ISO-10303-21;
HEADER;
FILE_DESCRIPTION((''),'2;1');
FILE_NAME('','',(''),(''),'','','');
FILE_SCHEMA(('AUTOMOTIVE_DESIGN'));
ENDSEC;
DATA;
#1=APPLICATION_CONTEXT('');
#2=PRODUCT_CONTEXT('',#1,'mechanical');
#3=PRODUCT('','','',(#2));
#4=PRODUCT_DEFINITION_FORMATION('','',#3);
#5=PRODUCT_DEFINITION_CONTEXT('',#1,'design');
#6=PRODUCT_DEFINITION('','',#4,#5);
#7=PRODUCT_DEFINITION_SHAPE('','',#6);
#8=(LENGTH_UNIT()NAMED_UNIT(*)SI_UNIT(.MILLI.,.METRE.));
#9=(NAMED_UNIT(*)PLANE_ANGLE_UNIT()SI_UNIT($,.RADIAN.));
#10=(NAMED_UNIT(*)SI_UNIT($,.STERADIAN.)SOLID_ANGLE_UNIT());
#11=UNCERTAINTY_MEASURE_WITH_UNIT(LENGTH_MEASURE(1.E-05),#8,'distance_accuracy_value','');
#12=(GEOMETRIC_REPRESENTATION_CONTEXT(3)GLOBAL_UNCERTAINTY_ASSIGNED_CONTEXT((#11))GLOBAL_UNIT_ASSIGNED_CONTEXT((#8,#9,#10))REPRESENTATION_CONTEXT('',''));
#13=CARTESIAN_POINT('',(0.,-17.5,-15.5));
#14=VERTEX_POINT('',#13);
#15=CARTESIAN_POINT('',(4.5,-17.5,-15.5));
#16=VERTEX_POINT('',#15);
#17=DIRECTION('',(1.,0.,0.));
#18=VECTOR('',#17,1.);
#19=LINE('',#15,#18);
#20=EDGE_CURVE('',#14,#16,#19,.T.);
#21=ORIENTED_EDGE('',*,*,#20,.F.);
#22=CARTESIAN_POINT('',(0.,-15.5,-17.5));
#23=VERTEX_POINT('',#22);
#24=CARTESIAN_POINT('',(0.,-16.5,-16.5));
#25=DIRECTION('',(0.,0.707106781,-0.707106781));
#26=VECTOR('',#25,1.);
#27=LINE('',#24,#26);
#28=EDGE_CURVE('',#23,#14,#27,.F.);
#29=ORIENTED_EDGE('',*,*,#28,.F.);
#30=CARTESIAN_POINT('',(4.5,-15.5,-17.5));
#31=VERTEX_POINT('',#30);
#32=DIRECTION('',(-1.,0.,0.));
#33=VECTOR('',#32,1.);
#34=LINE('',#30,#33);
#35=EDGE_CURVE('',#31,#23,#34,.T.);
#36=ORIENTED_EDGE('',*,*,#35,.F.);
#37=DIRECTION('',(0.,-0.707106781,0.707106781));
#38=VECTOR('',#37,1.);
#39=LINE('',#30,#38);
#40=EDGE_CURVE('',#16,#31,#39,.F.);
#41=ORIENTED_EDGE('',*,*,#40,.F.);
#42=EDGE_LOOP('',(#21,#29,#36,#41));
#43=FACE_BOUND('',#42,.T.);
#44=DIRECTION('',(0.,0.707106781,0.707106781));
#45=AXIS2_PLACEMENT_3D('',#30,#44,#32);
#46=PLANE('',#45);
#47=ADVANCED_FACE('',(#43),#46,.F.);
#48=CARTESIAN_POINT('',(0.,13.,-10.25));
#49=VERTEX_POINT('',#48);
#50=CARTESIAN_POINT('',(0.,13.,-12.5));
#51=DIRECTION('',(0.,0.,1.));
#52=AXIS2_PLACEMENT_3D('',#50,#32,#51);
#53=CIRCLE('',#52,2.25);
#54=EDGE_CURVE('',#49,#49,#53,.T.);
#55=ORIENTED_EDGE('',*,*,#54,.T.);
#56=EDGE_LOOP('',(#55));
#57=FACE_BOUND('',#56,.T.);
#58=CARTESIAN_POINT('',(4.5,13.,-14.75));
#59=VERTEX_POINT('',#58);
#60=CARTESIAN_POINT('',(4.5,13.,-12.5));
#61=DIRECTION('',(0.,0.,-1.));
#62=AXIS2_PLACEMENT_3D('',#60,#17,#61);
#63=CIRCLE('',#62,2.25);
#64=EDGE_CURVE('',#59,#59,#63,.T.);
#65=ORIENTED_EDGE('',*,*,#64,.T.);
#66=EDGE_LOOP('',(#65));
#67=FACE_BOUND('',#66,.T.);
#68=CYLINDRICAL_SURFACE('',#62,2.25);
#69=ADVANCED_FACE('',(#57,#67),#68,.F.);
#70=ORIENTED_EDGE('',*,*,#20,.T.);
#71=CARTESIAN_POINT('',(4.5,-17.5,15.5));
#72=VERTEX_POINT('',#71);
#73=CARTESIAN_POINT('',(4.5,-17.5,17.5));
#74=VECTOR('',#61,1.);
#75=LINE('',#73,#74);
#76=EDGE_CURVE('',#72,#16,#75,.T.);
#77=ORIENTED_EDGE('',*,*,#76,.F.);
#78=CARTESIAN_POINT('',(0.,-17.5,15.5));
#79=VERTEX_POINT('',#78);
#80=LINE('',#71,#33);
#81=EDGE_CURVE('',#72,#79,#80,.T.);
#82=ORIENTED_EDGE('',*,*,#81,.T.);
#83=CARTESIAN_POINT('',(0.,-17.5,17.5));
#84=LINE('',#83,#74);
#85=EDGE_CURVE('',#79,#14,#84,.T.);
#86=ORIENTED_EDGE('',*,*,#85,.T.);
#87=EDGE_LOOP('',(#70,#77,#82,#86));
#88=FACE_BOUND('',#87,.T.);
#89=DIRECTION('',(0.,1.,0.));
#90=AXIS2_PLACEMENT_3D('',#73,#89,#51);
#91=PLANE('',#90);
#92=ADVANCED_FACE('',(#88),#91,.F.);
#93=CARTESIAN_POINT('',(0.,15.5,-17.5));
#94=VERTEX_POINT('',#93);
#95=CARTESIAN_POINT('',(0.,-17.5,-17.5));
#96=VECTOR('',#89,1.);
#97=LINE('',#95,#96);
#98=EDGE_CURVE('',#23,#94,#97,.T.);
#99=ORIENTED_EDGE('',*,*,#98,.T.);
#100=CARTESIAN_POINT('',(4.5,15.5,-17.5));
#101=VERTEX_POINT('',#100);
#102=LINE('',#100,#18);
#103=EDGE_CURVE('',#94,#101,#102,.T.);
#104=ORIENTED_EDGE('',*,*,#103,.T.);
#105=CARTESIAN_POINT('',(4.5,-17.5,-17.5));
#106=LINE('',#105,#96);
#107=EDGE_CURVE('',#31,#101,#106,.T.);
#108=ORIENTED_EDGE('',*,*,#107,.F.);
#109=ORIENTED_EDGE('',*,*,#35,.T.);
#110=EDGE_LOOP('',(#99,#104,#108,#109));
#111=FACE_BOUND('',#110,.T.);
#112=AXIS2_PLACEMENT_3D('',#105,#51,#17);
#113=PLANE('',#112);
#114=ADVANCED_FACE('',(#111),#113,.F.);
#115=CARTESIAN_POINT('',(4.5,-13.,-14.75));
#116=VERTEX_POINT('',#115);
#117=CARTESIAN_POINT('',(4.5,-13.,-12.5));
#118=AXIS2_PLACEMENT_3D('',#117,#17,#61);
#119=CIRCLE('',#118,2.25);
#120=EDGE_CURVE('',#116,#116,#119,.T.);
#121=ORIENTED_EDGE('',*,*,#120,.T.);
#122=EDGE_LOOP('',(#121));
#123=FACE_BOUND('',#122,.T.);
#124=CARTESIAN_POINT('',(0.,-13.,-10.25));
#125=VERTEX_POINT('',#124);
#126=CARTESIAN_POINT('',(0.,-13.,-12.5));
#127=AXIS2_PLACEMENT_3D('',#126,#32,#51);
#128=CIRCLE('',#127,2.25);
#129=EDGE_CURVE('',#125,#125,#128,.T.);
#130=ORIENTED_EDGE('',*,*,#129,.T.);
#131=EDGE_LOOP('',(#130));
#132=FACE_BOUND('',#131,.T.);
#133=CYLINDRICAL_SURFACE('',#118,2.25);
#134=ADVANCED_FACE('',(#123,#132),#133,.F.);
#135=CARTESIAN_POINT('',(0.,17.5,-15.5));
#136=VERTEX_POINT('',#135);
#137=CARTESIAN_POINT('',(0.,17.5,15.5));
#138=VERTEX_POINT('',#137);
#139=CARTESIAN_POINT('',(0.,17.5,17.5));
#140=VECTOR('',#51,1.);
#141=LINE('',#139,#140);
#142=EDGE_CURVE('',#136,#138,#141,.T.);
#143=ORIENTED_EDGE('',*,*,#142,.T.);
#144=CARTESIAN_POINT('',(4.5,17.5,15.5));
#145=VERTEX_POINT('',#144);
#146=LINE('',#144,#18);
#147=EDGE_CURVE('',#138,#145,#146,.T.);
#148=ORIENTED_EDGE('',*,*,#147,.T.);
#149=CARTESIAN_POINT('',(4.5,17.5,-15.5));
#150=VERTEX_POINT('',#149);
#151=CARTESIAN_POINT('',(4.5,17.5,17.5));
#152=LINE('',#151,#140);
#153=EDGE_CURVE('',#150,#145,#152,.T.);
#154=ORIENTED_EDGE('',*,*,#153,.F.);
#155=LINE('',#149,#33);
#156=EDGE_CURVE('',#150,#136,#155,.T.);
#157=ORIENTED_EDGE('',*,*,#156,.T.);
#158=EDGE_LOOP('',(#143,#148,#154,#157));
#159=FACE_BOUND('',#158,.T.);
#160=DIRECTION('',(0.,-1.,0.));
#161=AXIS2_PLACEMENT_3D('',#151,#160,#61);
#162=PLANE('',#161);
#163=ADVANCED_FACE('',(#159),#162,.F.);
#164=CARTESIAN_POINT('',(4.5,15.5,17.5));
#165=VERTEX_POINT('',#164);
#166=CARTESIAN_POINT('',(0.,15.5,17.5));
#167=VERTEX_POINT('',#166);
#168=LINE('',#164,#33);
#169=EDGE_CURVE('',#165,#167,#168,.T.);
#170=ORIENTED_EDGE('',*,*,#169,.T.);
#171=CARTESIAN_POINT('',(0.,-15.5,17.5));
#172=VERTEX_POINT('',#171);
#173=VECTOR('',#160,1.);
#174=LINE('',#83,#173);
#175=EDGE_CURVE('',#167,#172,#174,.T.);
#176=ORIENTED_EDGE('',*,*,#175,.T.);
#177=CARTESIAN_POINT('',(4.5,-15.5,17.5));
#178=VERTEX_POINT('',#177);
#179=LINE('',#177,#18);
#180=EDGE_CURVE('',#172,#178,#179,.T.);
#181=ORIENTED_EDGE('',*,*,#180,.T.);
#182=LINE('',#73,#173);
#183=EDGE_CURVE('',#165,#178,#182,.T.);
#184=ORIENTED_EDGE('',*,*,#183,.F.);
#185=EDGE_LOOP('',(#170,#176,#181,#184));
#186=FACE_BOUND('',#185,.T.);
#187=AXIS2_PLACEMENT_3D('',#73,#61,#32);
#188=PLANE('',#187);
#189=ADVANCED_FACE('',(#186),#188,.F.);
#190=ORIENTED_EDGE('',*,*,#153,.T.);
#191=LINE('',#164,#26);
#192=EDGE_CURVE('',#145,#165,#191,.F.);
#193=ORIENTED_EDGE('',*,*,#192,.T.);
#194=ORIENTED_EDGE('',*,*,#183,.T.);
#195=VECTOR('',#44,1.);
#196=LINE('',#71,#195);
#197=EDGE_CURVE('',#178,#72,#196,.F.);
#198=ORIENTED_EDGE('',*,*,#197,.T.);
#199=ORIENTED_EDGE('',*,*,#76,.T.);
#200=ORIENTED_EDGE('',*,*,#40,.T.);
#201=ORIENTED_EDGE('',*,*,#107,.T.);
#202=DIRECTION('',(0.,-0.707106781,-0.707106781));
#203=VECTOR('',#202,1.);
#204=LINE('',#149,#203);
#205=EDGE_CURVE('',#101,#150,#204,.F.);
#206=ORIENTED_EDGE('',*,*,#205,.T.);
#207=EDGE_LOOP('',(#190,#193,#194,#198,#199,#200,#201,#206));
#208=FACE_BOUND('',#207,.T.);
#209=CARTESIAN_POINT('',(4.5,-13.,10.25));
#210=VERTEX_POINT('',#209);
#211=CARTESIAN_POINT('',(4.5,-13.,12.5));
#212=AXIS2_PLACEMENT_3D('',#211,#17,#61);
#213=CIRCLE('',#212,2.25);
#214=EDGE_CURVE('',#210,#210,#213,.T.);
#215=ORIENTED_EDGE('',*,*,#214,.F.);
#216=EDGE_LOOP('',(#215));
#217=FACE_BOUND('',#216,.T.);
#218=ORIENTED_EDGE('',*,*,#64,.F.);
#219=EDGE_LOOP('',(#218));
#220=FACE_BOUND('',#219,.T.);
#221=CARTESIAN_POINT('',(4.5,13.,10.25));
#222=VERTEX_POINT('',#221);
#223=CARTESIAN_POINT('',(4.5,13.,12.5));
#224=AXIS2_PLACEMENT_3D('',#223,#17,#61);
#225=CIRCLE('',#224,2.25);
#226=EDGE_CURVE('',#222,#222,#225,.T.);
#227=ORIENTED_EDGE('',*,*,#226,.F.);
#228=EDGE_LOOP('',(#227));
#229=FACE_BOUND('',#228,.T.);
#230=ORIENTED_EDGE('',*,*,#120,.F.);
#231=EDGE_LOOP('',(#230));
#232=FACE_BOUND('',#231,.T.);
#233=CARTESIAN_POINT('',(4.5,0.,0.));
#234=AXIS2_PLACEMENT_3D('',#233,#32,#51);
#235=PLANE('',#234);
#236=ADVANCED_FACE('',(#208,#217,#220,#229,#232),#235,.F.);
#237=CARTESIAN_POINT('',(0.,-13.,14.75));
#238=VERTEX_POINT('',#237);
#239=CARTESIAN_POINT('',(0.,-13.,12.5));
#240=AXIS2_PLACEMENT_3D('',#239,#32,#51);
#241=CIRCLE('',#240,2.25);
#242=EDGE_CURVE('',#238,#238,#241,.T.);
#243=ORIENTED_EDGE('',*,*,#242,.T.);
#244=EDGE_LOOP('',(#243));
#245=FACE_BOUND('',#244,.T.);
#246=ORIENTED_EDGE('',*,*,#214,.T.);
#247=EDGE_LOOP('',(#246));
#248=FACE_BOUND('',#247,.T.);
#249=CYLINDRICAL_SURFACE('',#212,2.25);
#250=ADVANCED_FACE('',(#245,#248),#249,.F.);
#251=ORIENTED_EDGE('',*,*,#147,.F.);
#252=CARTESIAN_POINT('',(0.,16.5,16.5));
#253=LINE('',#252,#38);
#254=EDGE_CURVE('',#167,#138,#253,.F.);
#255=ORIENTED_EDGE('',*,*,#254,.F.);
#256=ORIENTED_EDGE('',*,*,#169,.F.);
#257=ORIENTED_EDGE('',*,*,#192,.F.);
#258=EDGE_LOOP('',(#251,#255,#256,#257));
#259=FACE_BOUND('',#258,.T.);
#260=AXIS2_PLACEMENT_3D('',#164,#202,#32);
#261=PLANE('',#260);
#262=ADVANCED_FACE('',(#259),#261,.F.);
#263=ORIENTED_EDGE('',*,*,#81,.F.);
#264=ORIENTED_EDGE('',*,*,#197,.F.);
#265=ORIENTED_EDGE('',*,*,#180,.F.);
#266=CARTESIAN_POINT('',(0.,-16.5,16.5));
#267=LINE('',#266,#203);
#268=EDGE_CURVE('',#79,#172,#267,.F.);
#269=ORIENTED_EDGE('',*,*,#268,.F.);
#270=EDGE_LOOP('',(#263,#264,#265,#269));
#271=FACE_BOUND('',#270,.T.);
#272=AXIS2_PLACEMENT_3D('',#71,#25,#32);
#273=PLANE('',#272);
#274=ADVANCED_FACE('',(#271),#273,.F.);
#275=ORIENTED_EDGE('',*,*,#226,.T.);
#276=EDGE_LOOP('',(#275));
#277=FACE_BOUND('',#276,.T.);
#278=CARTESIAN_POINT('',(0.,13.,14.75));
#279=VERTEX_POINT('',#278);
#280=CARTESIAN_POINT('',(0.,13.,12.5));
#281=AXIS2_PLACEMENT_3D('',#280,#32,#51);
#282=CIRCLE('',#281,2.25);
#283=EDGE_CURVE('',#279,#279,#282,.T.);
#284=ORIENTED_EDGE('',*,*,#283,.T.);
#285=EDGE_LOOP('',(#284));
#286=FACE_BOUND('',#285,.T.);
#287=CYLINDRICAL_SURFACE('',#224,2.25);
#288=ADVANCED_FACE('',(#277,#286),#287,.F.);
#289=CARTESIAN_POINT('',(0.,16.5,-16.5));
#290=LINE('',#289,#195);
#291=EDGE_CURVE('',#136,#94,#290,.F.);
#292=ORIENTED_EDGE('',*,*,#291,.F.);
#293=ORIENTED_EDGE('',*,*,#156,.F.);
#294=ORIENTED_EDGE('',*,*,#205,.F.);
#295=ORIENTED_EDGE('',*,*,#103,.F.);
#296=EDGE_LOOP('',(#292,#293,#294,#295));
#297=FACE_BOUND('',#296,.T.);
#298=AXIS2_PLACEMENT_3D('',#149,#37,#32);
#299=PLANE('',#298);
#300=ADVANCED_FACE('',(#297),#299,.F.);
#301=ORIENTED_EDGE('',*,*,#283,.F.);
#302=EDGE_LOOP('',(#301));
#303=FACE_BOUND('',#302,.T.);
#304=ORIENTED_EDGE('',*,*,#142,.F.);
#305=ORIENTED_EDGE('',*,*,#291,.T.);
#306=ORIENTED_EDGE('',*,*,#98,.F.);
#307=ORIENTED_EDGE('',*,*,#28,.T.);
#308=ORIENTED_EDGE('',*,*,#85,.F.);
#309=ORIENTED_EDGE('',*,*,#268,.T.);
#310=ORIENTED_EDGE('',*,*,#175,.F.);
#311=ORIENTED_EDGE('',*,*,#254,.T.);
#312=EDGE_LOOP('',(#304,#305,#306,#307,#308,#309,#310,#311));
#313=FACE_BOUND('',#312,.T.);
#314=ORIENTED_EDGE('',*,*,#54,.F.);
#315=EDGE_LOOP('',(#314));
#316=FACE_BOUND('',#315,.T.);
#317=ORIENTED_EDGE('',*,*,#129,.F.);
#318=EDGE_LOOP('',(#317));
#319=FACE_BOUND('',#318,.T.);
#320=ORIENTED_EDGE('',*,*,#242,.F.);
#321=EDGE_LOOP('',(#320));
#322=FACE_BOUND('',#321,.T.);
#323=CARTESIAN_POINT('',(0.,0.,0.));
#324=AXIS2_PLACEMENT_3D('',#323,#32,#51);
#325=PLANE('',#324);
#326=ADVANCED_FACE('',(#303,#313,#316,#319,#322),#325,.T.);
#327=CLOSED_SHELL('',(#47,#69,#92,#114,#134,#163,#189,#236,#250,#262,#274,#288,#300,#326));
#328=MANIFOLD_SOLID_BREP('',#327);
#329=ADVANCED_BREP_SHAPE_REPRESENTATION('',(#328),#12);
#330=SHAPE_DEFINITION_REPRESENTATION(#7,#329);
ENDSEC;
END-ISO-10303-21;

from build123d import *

# Parameters (mm, degrees)
SKETCH_1_W                  = 35
SKETCH_1_H                  = 35
EXTRUDE_1_DEPTH             = 4.5
CHAMFER_1_SIZE              = 2
PATTERN_LINEAR_1_COUNT      = 2
PATTERN_LINEAR_1_PITCH      = 25
PATTERN_LINEAR_1_COUNT_DIR2 = 2
PATTERN_LINEAR_1_PITCH_DIR2 = 26


with BuildPart() as part:
    # Эскиз1 → Бобышка-Вытянуть1 (new body)
    with BuildSketch(Plane(origin=(0, 0, 0), x_dir=(0, 0, -1), z_dir=(1, 0, 0))):
        Rectangle(SKETCH_1_W, SKETCH_1_H)
    extrude(amount=EXTRUDE_1_DEPTH)

    # Фаска1
    chamfer_1_edges = [part.edges().sort_by_distance(p)[0] for p in [
        (2.25, -17.5, -17.5),
        (2.25, -17.5, 17.5),
        (2.25, 17.5, 17.5),
        (2.25, 17.5, -17.5),
    ]]
    chamfer(chamfer_1_edges, length=CHAMFER_1_SIZE)

    # Эскиз3 → Отверстие с зазором M41 (revolve, cut)
    with BuildSketch(Plane(origin=(4.5, 13, -12.5), x_dir=(0, 0, -1), z_dir=(0, 1, 0))):
        Polygon((0, 0), (0, 21.351936393), (2.25, 20), (2.25, 0), align=None)
    hole_wizard_m41 = revolve(axis=Axis((10.85, 13, -12.5), (-1, 0, 0)), mode=Mode.SUBTRACT)

    # Линейный массив1: Hole Wizard M41 2 × 2
    with Locations(*[(0, -j * PATTERN_LINEAR_1_PITCH_DIR2, i * PATTERN_LINEAR_1_PITCH) for i in range(PATTERN_LINEAR_1_COUNT) for j in range(PATTERN_LINEAR_1_COUNT_DIR2) if (i, j) != (0, 0)]):
        add(hole_wizard_m41, mode=Mode.SUBTRACT)


solid = part.part
